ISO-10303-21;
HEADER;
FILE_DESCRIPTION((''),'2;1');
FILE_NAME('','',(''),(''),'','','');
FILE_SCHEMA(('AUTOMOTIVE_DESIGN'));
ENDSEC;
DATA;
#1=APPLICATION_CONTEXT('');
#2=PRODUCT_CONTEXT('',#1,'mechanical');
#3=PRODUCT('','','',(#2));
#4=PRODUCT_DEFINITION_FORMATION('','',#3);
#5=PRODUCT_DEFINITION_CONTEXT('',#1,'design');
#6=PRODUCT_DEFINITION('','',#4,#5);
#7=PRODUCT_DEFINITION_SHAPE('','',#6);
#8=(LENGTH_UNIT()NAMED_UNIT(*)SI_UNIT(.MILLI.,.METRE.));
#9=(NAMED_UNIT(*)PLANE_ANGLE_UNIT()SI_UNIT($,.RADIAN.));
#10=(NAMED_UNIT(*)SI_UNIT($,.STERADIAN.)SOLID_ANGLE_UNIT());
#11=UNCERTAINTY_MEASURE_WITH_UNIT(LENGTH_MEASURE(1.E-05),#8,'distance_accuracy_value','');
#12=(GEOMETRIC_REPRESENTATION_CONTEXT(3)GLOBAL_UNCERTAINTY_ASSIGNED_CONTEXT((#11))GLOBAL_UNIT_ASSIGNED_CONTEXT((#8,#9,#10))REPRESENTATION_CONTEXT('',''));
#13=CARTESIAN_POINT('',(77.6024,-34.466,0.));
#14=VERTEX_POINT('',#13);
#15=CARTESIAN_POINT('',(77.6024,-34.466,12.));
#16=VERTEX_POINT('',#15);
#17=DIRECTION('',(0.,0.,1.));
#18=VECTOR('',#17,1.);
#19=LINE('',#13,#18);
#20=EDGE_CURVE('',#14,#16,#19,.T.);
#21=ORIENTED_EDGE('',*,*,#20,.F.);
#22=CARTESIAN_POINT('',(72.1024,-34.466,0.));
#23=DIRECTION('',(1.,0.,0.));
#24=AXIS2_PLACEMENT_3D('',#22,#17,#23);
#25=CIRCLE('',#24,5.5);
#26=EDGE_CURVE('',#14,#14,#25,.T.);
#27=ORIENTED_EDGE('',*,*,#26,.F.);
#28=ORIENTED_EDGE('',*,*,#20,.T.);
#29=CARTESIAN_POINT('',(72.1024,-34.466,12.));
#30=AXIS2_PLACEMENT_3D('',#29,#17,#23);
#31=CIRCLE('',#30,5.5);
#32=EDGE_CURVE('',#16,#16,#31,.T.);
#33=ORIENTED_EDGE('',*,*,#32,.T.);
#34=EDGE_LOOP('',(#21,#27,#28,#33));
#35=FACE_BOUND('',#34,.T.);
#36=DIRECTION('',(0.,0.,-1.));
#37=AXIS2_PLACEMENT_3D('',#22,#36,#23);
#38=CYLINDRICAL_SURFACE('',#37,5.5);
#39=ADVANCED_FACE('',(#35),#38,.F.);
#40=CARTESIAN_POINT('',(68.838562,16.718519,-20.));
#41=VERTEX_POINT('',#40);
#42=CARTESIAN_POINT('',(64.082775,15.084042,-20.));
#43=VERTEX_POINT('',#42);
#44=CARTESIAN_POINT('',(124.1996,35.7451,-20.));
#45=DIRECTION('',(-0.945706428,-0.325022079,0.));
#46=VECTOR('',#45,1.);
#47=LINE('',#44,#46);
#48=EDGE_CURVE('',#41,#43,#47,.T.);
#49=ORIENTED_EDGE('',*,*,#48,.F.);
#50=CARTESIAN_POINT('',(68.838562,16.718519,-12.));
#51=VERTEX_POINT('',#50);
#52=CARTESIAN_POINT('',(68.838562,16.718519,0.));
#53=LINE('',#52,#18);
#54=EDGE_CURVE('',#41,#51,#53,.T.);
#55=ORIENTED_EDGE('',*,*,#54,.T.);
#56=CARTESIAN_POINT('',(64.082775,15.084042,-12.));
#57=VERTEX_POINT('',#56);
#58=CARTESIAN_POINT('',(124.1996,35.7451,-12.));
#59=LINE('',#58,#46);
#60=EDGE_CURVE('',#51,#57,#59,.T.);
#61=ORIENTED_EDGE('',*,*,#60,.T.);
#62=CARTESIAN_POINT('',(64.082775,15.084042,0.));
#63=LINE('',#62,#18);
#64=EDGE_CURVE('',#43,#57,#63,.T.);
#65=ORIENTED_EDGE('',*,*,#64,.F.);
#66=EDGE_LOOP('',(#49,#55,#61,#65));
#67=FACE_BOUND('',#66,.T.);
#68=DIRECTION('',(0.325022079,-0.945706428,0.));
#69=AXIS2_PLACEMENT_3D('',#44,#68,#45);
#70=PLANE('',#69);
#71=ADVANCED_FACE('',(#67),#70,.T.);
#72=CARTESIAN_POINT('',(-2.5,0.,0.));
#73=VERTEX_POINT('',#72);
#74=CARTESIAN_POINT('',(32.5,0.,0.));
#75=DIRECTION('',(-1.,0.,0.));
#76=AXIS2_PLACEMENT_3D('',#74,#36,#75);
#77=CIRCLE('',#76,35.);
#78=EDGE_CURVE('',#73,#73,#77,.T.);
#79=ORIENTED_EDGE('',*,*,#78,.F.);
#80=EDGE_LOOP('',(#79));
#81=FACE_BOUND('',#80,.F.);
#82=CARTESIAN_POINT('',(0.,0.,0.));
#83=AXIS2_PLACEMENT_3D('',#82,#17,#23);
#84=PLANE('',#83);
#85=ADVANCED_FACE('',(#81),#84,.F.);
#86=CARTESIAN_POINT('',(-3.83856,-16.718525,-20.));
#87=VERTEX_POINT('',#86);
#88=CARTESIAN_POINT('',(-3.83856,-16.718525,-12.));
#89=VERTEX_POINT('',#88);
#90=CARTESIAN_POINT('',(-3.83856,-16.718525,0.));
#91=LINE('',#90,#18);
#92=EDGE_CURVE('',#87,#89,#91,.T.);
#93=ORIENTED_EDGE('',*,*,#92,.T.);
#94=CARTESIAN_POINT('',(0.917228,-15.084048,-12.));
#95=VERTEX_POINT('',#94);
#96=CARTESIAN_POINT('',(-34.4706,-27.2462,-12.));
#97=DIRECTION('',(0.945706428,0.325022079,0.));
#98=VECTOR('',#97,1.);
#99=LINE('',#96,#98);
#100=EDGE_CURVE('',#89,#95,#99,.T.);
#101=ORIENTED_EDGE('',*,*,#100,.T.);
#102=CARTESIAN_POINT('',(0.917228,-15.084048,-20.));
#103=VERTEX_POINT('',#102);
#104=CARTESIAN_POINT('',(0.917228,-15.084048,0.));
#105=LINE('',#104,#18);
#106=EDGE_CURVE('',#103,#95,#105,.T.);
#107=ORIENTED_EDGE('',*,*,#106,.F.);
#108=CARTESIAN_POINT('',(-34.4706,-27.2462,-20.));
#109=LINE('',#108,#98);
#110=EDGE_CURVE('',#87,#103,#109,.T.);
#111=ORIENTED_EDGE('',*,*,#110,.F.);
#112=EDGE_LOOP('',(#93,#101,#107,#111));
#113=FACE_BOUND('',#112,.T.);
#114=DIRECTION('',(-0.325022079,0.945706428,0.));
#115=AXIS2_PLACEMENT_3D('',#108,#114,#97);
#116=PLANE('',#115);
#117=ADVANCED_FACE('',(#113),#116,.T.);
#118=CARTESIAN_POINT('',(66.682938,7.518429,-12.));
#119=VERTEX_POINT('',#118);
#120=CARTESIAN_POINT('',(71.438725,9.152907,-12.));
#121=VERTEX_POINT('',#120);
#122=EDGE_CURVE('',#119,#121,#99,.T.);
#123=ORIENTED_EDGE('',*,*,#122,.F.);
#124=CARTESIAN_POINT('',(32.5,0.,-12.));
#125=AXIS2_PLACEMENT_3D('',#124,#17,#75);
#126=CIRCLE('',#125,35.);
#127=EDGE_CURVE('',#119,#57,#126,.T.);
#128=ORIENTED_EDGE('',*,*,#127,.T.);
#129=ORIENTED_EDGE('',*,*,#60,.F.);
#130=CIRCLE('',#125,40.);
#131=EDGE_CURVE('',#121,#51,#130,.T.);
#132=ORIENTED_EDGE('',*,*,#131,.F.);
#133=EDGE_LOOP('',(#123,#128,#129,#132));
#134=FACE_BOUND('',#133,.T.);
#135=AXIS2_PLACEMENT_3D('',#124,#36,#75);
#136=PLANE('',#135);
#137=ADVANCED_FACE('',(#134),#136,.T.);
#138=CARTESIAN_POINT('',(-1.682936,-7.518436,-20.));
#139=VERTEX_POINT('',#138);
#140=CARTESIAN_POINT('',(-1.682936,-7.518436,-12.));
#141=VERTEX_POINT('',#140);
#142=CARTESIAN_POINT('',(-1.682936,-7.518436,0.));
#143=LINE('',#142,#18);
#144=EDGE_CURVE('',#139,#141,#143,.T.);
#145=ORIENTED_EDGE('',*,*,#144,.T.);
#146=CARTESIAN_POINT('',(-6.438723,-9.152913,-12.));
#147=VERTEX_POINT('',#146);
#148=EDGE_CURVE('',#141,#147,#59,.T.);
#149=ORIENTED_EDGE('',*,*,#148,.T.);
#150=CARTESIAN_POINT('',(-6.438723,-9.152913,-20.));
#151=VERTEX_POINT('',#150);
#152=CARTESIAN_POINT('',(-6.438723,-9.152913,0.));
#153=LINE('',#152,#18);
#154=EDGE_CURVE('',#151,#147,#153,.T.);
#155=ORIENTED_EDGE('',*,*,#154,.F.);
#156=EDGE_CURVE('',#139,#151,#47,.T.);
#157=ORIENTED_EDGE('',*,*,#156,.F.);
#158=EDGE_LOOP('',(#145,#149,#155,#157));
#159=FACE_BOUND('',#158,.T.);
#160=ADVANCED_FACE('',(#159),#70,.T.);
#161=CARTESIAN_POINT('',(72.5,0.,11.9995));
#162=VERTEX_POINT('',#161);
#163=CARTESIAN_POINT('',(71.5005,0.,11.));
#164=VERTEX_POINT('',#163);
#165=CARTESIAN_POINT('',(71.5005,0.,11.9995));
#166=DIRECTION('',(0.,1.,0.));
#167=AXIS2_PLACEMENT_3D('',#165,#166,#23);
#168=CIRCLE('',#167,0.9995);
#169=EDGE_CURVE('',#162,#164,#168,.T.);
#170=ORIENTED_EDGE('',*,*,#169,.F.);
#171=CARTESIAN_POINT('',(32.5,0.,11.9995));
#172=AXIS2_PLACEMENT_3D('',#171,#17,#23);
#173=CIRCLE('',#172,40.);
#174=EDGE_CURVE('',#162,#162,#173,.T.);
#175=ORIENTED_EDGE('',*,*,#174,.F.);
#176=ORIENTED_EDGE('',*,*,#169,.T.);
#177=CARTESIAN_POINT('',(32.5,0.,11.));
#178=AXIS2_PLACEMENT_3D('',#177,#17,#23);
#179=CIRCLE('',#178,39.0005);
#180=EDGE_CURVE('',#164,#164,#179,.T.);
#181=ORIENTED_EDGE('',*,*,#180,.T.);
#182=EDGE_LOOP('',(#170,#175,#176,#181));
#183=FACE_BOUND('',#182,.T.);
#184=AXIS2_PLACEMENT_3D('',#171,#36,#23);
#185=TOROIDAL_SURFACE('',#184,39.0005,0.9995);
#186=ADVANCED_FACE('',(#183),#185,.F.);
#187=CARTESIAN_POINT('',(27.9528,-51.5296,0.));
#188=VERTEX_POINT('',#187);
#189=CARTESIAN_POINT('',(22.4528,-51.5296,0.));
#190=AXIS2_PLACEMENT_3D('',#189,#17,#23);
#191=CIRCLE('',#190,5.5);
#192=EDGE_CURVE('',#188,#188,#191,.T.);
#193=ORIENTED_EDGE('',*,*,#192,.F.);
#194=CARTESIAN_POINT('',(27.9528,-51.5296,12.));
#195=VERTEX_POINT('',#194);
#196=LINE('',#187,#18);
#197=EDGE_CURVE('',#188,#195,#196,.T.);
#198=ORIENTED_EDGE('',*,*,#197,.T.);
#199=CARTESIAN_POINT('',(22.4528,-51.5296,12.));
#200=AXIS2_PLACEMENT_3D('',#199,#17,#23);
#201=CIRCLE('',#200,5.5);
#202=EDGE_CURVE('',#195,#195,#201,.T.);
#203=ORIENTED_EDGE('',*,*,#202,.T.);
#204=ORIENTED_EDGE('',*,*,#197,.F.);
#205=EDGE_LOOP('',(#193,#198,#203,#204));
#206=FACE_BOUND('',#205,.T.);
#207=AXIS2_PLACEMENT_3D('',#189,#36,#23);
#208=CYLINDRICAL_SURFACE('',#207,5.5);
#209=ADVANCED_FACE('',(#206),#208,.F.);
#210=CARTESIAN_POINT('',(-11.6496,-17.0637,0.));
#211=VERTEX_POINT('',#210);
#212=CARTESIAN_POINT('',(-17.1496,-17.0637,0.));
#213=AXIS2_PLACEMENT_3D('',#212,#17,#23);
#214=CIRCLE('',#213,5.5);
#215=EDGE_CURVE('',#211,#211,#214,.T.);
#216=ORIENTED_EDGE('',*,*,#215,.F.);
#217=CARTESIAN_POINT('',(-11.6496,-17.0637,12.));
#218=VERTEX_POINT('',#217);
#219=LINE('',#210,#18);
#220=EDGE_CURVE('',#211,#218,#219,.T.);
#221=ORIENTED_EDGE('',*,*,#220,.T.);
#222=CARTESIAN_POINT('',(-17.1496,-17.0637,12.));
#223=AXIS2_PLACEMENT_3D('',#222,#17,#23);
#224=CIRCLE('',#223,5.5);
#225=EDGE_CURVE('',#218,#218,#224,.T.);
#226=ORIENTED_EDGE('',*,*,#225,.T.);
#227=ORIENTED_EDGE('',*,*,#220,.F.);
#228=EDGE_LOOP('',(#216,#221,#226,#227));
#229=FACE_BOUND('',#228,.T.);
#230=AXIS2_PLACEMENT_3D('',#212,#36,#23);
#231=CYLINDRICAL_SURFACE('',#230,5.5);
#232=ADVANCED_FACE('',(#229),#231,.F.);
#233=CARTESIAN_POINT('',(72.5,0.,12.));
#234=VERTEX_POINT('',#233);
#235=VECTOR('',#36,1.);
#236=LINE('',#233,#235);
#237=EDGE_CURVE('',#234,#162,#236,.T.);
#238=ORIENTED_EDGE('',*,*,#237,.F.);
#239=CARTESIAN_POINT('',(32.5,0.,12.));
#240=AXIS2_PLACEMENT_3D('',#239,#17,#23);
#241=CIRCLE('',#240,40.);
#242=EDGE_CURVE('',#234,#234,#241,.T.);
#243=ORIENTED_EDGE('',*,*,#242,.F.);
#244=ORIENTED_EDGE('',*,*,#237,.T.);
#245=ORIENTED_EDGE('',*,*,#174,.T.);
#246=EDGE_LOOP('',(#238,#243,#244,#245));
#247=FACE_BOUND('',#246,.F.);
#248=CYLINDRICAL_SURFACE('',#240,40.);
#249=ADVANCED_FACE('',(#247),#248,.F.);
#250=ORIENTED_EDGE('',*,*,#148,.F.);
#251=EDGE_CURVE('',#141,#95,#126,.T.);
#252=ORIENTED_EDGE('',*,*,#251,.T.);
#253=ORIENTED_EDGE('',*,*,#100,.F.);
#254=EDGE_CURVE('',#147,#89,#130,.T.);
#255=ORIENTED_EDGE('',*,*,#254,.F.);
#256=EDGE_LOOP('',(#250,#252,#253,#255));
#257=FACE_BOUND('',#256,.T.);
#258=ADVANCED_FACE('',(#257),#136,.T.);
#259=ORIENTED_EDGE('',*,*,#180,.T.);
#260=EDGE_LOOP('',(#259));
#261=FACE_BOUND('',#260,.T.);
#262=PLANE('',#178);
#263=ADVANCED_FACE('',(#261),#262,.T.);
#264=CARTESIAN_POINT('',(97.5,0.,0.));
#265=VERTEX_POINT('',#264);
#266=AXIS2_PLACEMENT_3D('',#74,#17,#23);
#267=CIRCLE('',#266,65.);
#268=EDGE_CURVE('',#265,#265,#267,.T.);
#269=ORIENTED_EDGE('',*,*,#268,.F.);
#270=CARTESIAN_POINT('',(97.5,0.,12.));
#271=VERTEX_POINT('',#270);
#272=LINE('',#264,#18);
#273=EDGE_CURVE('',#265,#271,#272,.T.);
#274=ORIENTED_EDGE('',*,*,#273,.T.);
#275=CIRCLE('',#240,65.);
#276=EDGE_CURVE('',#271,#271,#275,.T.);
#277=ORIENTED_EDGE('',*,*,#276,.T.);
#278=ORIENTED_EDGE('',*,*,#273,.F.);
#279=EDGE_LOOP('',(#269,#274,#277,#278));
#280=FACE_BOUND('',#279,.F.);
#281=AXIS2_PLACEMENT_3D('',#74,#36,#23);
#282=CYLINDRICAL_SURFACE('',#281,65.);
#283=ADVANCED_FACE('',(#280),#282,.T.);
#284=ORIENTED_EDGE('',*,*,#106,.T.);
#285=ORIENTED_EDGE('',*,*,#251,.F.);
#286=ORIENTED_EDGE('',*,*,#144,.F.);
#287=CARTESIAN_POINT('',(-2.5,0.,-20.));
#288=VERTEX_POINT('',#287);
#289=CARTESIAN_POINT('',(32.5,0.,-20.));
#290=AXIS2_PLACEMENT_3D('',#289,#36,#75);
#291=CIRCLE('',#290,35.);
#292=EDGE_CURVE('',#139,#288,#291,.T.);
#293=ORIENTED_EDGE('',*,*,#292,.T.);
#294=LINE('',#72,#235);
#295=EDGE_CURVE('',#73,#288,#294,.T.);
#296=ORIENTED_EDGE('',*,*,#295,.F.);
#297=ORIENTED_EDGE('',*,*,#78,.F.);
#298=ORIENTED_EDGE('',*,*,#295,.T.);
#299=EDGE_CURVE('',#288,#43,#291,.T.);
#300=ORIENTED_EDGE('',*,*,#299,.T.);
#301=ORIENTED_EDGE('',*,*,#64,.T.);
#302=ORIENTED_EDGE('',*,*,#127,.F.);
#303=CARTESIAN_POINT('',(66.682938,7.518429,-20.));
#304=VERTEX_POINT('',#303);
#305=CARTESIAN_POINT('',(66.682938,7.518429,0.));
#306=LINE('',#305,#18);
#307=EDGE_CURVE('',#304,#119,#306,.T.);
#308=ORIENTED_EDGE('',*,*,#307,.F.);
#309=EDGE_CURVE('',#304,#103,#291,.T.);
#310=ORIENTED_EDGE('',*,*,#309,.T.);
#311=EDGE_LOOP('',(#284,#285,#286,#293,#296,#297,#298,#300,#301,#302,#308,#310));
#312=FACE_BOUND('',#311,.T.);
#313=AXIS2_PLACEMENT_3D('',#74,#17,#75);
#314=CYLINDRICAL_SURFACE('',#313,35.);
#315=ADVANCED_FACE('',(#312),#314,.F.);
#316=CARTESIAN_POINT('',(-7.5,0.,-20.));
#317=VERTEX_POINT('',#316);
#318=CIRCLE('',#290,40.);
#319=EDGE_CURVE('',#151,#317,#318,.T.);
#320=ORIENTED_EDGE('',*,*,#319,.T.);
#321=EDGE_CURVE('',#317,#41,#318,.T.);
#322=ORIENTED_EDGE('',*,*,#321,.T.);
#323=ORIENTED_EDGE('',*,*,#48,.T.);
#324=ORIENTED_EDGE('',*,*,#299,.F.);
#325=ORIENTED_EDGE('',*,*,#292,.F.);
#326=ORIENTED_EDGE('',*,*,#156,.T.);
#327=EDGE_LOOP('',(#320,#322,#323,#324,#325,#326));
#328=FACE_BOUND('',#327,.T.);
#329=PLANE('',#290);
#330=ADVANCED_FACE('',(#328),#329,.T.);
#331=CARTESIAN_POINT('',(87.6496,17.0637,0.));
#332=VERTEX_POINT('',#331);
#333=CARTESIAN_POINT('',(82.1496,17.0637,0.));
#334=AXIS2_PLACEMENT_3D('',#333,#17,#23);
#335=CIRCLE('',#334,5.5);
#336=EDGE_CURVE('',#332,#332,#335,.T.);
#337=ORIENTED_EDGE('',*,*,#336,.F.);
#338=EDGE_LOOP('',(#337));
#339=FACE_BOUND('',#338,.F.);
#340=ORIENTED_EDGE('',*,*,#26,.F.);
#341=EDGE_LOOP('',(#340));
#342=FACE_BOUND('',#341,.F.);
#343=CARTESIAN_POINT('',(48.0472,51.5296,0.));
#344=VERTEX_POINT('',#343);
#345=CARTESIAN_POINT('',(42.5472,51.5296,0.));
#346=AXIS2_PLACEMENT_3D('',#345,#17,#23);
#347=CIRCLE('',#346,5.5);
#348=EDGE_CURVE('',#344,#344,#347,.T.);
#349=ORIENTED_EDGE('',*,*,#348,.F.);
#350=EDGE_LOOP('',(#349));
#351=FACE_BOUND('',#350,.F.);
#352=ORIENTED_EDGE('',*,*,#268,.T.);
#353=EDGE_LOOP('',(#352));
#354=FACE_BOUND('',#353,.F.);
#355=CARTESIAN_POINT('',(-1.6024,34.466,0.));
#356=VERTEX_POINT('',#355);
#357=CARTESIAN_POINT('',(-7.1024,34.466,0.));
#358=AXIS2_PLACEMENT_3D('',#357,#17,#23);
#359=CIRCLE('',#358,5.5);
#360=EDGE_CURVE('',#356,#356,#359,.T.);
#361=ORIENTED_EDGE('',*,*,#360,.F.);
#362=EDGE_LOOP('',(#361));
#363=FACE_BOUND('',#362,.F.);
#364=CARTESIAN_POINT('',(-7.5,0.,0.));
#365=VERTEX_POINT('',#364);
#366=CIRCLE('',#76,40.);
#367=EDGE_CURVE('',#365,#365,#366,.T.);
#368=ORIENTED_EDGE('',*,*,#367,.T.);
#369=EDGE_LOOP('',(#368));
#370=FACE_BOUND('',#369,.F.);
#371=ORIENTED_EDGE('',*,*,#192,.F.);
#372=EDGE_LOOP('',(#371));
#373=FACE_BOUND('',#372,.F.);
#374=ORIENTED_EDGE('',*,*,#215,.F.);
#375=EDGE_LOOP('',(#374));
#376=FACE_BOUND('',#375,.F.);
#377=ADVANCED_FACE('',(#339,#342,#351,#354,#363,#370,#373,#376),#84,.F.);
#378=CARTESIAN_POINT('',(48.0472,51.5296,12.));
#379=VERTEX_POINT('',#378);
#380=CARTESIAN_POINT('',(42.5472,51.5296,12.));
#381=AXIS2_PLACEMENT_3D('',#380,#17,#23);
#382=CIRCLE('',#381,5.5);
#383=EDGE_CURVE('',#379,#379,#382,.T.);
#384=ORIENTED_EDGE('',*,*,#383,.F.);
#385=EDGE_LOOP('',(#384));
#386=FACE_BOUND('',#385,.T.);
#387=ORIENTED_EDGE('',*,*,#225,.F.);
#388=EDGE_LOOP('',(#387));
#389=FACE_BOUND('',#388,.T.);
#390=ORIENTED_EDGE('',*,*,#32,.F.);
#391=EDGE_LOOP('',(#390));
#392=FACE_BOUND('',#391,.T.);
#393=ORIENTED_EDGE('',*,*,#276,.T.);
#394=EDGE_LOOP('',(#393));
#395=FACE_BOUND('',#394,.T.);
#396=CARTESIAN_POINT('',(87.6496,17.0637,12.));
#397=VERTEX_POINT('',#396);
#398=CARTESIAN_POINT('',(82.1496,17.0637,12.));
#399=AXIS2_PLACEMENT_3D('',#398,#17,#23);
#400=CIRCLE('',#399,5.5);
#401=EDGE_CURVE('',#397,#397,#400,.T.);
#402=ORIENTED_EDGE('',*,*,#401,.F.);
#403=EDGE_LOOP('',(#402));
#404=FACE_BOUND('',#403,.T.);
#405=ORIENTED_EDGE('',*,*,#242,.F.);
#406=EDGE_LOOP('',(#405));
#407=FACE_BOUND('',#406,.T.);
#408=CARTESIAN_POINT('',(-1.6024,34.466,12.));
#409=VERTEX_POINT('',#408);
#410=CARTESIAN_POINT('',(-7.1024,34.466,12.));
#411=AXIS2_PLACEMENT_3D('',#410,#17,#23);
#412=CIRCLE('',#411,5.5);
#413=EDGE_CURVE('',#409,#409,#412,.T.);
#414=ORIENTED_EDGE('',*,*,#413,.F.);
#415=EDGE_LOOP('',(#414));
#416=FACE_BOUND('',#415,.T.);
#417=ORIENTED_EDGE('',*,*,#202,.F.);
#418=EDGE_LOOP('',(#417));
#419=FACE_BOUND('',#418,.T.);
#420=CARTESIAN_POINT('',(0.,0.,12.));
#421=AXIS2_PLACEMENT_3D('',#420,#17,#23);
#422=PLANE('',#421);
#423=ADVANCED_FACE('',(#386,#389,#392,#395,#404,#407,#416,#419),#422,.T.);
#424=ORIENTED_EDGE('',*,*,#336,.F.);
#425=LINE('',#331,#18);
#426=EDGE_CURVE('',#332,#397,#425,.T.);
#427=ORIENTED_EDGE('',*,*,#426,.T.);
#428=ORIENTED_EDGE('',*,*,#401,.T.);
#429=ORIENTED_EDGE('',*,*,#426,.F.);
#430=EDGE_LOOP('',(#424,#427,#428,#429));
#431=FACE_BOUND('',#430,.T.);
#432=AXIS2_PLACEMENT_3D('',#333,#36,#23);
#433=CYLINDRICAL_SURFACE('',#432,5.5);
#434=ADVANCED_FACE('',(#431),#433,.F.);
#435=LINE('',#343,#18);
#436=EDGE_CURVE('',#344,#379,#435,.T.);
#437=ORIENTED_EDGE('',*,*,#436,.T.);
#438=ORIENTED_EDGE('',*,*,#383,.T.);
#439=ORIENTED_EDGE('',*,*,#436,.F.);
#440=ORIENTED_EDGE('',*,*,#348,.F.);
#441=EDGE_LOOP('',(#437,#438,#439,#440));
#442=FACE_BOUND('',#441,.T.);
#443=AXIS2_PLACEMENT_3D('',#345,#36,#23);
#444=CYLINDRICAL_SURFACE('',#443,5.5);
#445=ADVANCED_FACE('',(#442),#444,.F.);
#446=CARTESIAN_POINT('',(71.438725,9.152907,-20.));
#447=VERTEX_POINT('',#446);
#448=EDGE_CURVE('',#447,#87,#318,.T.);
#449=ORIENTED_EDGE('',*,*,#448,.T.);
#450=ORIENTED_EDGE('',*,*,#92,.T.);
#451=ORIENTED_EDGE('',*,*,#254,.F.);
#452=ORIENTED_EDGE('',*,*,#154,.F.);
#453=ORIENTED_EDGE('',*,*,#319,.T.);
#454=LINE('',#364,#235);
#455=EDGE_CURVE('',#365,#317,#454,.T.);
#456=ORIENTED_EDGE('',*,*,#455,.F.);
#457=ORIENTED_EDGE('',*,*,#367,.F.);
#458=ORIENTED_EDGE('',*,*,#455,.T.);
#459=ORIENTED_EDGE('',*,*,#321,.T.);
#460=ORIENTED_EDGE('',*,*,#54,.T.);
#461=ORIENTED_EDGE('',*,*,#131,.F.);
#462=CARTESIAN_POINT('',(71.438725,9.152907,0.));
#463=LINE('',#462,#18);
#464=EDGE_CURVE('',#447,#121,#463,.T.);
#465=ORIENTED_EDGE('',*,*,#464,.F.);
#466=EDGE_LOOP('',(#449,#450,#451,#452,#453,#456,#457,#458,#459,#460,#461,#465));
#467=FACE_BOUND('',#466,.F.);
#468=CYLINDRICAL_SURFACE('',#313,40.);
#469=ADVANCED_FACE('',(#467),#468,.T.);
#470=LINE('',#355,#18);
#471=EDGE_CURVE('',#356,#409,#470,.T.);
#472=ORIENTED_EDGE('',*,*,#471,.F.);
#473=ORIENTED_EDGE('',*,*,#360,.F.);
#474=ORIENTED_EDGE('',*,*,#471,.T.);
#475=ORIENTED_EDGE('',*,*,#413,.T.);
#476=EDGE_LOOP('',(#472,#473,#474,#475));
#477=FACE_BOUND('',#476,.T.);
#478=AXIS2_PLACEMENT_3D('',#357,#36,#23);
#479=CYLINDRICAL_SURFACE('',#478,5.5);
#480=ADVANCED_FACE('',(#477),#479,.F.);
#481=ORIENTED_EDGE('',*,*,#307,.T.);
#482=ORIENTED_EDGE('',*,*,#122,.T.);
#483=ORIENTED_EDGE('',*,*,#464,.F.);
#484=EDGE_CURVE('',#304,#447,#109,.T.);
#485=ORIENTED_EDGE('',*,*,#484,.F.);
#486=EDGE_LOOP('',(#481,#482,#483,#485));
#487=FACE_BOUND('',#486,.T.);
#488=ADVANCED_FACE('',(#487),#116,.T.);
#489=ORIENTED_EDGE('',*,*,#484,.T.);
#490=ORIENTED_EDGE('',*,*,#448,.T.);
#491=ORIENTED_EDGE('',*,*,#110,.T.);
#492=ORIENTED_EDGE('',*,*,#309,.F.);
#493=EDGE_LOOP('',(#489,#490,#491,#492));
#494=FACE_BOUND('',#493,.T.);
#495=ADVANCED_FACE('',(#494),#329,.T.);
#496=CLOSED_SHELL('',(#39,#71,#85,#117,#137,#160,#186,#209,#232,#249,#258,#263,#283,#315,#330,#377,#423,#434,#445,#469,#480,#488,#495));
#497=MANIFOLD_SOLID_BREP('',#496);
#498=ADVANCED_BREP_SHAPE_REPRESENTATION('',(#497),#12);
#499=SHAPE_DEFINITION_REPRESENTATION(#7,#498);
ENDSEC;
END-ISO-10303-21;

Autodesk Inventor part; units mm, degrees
ref_plane "YZ Plane" through (0, 0, 0) normal (1, 0, 0) x (0, 1, 0)
ref_plane "工作平面1" through (0, 0, 0) normal (0, 0, 1) x (1, 0, 0)
sketch "草图1" plane through (0, 0, 0) normal (0, 0, 1) x (1, 0, 0)
  arc A0 (32.5, 65) -> (32.5, -65) centre (32.5, 0) ccw construction
  line L0 (32.5, -65) -> (32.5, -40) construction
  arc A1 (32.5, 40) -> (32.5, -40) centre (32.5, 0) ccw construction
  line L1 (32.5, 40) -> (32.5, 65) construction
  circle A2 centre (32.5, 0) radius 65 projected
  circle A3 centre (72.1024, -34.466) radius 5.5 projected
  circle A4 centre (-17.1496, -17.0637) radius 5.5 projected
  circle A5 centre (82.1496, 17.0637) radius 5.5 projected
  circle A6 centre (42.5472, 51.5296) radius 5.5 projected
  circle A7 centre (22.4528, -51.5296) radius 5.5 projected
  circle A8 centre (-7.1024, 34.466) radius 5.5 projected
  circle A9 centre (32.5, 0) radius 65 projected
  circle A10 centre (32.5, 0) radius 40 construction
  point P0 (0, 0)
extrude "拉伸1" add sketch "草图1" along normal blind 12
sketch "草图2" plane through (32.5, 0, 0) normal (0, 0, -1) x (-1, 0, 0)
  circle A0 centre (0, 0) radius 65 construction
  circle A1 centre (0, 0) radius 40
  circle A2 centre (0, 0) radius 35
  point P0 (32.5, 0)
  dimension "d2" = 80
  dimension "d3" = 70
extrude "拉伸2" add sketch "草图2" along normal blind 20
sketch "草图3" plane through (32.5, 0, 12) normal (0, 0, 1) x (1, 0, 0)
  circle A0 centre (0, 0) radius 65 construction
  circle A1 centre (0, 0) radius 40
  point P0 (-32.5, 0)
  dimension "d6" = 80
extrude "拉伸3" cut sketch "草图3" against normal blind 1
fillet "圆角1" radius 1 1 edges at (-7.5, 0, 11)
sketch "草图4" plane through (32.5, 0, -20) normal (0, 0, -1) x (-1, 0, 0)
  circle A0 centre (0, 0) radius 35 construction
  circle A1 centre (49.6496, -17.0637) radius 5.5 construction
  circle A2 centre (-49.6496, 17.0637) radius 5.5 construction
  line L0 (49.6496, -17.0637) -> (-49.6496, 17.0637) construction
  line L1 (66.9706, -27.2462) -> (-94.2998, 28.1795)
  line L2 (-94.2998, 28.1795) -> (-91.6996, 35.7451)
  line L3 (-91.6996, 35.7451) -> (69.5708, -19.6806)
  line L4 (69.5708, -19.6806) -> (66.9706, -27.2462)
  point P0 (32.5, 0)
  dimension "d10" = 8
extrude "拉伸4" cut sketch "草图4" against normal blind 8
ref_plane "工作平面2" through (-0.3829, -11.3012, -12) normal (-0.325, 0.9457, 0) x (0.9457, 0.325, 0)
properties part number "轴承通盖1"
